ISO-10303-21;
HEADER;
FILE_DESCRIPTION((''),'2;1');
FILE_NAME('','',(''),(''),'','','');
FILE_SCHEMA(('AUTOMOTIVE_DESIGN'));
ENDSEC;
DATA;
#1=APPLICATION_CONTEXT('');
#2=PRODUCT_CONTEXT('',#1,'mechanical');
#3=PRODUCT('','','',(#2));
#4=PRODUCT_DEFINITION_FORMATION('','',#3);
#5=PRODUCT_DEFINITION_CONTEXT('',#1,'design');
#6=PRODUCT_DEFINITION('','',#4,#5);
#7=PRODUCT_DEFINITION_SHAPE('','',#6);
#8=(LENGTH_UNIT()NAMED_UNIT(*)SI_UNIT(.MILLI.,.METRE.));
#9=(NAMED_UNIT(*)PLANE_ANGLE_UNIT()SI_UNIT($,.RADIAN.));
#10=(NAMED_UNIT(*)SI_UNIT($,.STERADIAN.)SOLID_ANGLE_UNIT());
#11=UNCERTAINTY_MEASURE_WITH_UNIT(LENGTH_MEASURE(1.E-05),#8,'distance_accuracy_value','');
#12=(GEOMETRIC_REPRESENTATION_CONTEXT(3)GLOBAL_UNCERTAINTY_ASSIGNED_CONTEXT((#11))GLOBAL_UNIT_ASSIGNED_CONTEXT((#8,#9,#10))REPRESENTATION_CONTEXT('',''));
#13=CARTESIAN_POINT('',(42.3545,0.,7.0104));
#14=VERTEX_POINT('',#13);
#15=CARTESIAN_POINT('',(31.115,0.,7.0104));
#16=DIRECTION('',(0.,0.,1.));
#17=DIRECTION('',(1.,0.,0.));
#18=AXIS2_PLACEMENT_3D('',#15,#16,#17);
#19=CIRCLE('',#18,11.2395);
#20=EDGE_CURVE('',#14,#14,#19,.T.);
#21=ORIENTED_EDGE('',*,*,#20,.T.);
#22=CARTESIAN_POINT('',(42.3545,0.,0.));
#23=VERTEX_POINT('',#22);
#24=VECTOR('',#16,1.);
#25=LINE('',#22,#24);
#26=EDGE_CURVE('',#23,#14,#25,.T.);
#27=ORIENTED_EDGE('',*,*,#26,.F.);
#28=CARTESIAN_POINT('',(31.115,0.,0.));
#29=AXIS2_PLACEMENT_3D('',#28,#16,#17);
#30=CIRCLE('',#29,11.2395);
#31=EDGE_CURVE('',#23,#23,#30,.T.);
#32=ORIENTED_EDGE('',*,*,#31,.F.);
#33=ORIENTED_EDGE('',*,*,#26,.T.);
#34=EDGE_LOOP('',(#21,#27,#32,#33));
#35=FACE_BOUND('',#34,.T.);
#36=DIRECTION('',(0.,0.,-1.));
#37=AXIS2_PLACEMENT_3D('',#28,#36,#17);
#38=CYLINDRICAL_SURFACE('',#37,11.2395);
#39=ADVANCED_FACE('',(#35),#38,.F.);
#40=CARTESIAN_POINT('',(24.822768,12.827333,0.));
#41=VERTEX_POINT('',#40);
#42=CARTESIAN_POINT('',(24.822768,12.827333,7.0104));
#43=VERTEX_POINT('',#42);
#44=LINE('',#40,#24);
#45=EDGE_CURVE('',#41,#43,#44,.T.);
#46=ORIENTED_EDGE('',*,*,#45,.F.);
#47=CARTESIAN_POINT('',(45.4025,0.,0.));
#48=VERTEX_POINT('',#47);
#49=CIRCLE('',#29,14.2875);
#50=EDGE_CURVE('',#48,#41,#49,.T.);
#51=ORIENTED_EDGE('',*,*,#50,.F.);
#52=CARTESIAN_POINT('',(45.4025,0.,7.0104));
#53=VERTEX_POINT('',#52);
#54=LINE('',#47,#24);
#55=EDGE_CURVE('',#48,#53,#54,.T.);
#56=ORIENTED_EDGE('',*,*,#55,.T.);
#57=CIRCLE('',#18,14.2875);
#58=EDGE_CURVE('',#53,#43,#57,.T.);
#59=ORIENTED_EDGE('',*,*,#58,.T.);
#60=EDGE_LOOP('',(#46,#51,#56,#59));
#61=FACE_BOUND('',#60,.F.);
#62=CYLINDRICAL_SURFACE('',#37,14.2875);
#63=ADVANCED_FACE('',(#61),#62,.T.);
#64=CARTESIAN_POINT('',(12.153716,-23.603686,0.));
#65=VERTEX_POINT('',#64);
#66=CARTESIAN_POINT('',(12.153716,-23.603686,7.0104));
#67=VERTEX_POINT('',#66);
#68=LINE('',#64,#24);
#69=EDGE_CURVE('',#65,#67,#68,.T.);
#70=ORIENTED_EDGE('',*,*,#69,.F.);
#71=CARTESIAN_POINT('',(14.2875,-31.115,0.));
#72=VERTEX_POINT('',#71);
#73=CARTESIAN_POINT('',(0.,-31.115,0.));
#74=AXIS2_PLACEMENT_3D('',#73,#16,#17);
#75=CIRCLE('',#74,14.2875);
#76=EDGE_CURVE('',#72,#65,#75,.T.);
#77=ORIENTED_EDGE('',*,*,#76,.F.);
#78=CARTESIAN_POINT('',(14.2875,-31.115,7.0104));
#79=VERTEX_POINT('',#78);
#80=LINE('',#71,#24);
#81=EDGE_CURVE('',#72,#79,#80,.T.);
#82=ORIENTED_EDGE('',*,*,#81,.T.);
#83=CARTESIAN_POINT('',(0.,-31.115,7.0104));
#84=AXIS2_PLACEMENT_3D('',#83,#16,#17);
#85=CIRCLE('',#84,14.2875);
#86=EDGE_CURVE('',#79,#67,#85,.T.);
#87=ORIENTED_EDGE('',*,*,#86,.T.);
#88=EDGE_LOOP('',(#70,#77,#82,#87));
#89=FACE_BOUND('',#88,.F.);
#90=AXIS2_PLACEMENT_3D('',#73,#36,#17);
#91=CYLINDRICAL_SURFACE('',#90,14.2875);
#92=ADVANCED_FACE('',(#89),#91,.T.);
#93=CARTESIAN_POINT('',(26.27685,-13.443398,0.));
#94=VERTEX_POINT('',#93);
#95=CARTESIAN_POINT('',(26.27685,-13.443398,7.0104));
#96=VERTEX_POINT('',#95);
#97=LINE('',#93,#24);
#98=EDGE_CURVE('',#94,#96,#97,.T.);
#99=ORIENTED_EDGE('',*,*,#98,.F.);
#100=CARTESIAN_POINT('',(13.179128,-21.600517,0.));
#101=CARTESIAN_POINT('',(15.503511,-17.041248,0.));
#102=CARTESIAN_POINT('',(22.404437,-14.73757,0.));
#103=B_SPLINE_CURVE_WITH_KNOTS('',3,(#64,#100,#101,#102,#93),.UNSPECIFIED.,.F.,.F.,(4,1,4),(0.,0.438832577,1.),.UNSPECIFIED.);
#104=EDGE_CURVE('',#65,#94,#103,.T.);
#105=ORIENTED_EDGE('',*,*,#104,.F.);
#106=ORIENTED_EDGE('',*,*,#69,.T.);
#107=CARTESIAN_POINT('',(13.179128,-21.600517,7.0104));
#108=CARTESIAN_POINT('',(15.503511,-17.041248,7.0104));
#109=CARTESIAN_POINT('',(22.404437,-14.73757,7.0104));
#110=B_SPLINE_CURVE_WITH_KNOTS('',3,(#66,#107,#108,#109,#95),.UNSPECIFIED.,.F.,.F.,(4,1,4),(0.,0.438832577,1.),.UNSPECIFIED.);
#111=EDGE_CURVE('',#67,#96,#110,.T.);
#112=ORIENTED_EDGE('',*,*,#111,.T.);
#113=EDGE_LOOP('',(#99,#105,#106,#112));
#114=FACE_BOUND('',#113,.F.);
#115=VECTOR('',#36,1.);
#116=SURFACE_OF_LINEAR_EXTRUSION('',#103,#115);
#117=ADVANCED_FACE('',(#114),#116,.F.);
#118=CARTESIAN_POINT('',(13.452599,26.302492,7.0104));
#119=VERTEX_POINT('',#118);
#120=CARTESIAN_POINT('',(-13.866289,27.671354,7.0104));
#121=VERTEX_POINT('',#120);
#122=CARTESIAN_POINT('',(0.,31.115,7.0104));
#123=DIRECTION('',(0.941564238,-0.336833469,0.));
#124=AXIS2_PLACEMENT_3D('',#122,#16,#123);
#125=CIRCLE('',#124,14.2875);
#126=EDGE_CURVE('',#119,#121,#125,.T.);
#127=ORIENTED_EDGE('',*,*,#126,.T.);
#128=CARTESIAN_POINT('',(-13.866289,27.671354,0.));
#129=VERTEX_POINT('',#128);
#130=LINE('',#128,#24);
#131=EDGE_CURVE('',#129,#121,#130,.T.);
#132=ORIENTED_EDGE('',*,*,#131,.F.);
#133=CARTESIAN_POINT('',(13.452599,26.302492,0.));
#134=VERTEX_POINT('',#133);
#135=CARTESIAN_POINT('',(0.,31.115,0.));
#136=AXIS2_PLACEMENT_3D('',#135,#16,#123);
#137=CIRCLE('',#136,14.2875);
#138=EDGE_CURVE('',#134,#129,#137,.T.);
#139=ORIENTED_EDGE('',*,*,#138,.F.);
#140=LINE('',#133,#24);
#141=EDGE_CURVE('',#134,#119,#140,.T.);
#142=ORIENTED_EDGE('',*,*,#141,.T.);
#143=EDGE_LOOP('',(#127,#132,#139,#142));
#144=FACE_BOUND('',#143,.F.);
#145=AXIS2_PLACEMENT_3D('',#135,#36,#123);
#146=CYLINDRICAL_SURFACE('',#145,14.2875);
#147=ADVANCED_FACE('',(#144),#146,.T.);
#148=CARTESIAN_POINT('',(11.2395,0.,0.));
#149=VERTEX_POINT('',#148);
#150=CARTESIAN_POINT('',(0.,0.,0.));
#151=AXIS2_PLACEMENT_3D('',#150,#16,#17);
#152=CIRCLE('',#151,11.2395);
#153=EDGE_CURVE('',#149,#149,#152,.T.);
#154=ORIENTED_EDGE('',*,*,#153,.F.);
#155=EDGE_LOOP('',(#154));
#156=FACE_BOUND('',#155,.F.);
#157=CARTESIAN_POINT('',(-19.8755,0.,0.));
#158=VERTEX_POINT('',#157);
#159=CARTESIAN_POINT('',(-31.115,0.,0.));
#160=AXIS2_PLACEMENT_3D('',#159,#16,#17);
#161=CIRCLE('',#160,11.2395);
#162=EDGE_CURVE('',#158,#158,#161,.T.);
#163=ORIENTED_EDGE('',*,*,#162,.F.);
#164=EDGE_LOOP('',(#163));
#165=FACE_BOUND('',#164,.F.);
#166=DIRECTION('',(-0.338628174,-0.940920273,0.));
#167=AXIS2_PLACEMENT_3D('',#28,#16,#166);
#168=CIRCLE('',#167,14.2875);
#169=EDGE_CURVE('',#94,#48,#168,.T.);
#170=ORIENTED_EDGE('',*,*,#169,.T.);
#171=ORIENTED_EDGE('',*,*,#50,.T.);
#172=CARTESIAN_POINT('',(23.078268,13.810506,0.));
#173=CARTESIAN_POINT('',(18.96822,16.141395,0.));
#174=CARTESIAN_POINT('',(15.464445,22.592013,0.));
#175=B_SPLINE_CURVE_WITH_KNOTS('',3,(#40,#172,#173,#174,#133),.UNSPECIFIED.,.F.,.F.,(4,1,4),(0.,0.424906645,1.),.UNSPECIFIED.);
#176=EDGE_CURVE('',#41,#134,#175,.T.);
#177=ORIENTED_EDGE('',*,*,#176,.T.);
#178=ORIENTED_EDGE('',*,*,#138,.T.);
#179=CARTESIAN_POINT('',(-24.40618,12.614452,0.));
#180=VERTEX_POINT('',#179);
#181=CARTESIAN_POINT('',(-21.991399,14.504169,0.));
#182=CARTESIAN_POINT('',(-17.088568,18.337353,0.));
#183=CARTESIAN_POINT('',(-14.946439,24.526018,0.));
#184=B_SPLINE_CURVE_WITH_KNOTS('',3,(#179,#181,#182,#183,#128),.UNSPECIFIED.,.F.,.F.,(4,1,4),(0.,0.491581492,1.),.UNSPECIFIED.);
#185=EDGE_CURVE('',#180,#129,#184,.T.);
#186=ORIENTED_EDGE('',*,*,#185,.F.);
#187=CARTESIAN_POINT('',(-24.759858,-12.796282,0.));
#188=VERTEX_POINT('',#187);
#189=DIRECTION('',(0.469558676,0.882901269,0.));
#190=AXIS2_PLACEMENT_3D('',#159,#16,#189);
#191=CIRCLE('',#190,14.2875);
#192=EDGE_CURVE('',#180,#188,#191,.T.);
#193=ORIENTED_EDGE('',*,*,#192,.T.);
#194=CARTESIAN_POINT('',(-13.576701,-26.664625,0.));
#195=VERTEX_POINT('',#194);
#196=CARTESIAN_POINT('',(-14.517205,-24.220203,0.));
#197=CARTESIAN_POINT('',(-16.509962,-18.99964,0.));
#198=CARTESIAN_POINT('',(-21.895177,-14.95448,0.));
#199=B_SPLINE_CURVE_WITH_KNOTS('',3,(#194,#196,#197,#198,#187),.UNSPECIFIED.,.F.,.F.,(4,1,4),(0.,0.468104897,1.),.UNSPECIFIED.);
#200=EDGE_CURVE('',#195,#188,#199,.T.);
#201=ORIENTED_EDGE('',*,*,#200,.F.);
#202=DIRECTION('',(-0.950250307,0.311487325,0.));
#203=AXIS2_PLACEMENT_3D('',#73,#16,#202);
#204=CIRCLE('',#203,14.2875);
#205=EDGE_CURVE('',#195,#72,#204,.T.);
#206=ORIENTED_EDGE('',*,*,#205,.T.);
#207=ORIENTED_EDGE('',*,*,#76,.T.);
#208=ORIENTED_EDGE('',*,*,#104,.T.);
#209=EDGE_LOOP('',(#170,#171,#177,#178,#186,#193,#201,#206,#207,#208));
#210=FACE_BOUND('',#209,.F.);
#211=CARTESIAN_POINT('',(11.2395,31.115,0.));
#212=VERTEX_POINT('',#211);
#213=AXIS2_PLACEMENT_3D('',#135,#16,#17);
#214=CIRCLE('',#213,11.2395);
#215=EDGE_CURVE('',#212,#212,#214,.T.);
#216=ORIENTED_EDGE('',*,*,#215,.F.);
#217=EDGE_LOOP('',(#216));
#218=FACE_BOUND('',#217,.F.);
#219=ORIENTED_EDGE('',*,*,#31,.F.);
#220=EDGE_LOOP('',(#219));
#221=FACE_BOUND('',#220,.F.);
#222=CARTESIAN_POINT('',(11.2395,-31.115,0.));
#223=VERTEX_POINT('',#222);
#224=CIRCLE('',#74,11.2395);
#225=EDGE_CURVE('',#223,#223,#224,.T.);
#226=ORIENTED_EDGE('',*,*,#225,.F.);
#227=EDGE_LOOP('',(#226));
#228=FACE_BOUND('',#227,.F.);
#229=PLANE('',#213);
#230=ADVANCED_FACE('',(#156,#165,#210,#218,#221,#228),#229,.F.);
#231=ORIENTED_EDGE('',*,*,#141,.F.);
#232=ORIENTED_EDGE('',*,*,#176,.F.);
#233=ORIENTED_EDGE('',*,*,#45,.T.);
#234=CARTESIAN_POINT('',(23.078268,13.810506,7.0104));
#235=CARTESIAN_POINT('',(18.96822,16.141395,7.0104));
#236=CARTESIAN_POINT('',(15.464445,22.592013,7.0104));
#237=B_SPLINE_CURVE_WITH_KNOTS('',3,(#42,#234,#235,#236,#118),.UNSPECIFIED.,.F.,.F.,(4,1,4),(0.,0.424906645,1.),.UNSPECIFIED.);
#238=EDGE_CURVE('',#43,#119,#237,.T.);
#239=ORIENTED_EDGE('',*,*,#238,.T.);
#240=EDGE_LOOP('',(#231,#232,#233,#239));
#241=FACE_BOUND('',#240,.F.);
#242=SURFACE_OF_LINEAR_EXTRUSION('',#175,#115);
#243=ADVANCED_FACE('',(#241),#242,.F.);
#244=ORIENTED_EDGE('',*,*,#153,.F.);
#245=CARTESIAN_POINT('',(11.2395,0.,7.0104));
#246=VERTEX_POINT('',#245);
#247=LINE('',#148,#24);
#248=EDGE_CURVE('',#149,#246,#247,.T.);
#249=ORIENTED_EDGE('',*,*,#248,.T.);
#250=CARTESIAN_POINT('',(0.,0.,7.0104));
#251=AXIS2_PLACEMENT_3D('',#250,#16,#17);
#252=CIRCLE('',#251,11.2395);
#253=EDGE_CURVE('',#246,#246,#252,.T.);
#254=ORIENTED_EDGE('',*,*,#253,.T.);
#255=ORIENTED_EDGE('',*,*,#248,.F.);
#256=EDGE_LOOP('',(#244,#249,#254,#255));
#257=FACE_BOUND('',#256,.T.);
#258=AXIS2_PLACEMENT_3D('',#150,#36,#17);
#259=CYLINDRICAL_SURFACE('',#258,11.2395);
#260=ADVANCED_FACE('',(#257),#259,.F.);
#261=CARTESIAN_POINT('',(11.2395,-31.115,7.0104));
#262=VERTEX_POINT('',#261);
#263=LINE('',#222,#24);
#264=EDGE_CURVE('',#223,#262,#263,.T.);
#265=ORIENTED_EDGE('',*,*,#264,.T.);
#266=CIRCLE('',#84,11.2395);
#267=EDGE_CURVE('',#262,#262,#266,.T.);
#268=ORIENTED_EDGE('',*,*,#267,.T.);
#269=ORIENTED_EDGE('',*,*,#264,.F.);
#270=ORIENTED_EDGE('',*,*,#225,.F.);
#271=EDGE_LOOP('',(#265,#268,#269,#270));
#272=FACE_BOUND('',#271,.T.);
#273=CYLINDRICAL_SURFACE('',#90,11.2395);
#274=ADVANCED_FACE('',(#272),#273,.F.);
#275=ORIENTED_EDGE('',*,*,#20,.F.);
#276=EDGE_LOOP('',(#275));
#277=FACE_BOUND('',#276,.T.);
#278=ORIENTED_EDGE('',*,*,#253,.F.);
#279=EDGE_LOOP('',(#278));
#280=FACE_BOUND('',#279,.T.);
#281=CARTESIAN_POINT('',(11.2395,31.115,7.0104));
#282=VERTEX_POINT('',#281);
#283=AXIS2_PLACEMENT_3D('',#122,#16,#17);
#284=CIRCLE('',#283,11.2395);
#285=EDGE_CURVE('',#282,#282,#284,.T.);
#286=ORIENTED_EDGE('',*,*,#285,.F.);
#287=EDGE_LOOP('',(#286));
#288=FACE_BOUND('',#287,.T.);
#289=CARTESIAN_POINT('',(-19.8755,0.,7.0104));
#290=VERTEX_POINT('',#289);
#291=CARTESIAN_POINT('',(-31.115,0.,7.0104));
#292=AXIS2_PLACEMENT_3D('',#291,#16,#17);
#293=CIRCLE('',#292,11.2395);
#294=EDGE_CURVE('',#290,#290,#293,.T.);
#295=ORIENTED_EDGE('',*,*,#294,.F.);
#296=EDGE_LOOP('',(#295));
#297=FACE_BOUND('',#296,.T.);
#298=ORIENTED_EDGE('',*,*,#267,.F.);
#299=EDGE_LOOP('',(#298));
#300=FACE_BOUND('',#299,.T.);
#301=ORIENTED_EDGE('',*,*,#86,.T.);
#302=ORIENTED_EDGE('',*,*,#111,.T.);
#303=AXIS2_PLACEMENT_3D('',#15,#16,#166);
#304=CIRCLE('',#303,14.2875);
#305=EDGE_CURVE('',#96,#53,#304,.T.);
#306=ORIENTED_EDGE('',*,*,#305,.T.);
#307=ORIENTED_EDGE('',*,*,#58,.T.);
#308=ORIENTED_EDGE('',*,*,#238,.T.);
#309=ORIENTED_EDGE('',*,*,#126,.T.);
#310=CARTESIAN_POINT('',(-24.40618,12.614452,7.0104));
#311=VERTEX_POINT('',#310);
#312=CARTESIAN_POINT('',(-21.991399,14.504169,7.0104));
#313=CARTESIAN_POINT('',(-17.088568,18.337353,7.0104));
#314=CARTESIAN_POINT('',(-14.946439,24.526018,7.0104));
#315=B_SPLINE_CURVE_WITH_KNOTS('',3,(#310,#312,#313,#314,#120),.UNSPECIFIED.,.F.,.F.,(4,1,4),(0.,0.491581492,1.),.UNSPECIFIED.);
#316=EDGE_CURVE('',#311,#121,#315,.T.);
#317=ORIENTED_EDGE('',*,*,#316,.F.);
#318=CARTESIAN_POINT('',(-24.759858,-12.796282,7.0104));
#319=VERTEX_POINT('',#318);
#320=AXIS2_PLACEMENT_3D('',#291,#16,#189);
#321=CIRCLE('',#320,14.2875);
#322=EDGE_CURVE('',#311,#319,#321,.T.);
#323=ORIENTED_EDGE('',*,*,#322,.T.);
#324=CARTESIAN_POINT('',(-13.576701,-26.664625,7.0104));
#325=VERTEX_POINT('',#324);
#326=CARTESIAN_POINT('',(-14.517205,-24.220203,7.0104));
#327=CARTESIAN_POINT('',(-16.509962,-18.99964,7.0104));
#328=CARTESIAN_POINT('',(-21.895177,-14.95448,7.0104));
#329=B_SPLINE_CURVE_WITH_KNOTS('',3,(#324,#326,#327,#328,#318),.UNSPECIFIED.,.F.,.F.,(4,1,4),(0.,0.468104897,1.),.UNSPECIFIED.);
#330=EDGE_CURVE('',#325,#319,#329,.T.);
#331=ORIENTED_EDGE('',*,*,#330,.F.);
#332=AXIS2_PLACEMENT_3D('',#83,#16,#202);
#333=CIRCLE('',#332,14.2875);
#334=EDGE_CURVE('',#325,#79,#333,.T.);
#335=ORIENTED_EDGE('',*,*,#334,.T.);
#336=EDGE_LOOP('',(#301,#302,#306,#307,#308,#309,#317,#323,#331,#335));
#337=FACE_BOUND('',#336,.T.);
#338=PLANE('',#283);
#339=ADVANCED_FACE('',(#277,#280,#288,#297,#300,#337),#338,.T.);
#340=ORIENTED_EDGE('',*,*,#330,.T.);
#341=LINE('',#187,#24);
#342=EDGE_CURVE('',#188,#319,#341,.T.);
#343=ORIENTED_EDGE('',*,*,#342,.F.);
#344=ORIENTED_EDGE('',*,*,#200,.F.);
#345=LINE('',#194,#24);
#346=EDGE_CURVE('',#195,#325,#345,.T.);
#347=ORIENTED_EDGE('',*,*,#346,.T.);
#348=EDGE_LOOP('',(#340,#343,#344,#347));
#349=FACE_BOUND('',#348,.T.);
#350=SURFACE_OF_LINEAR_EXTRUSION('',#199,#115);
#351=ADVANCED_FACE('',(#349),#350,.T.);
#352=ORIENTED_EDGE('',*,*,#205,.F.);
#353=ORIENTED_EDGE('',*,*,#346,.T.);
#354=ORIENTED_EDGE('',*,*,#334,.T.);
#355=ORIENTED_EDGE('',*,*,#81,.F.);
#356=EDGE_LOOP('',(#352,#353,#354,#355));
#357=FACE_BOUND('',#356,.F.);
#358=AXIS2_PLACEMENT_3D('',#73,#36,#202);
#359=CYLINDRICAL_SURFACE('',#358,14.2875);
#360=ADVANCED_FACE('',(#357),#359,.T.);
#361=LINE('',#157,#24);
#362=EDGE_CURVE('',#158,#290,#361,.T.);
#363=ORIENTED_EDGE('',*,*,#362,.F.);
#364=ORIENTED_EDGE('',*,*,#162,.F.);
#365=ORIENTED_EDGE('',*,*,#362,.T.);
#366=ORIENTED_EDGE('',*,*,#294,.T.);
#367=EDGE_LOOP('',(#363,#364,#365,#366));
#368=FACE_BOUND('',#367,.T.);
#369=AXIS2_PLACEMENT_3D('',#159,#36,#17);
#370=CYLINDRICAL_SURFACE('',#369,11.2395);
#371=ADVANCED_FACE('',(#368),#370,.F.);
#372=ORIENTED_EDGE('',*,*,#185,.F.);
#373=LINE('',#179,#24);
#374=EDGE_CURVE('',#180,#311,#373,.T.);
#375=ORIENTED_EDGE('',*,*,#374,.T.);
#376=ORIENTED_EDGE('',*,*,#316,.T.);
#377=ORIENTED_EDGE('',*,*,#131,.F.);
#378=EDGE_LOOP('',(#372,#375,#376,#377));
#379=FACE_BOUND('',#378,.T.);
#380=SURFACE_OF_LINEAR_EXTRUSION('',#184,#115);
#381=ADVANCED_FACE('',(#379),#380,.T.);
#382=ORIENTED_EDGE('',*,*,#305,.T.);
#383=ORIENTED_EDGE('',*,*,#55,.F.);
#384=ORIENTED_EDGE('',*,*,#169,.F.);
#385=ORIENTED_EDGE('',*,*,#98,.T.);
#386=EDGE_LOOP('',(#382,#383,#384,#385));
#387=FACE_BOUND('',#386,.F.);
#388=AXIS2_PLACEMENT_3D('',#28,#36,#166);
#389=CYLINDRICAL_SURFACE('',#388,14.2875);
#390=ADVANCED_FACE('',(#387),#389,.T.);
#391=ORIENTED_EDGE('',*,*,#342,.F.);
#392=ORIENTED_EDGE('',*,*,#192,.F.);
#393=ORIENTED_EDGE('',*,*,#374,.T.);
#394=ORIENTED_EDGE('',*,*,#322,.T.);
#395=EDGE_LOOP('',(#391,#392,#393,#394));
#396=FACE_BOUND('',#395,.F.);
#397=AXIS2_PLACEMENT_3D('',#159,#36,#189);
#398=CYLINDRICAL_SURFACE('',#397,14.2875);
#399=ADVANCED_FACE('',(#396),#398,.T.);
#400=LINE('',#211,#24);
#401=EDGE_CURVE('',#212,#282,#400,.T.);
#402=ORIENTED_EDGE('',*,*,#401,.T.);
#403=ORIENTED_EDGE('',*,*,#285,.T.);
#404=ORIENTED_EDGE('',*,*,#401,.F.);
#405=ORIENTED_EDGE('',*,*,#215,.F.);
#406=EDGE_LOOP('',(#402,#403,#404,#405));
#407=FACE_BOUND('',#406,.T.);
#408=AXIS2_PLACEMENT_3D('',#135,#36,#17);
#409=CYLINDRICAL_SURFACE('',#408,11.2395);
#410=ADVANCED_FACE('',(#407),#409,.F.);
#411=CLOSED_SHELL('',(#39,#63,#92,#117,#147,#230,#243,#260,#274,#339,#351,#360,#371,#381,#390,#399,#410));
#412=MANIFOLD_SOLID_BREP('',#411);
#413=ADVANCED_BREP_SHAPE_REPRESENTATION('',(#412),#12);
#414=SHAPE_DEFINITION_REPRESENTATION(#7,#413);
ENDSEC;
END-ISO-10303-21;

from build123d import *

# Parameters (mm, degrees)
F0_R     = 11.2395
F0_R_2   = 14.2875
F1_DEPTH = 7.0104


with BuildPart() as f1:
    # F0 (on Top) → F1 (new body)
    with BuildSketch(Plane.XY):
        with BuildLine():
            ThreePointArc((13.4525990485, 26.3024918088), (14.0772274464, 28.6728035148), (14.2875, 31.115))
            ThreePointArc((14.2875, 31.115), (-1.7346553006, 45.2968062051), (-13.8662885898, 27.671354113))
            ThreePointArc((-13.8662885898, 27.671354113), (-0.7150040287, 16.8454020558), (13.4525990485, 26.3024918088))
        make_face()
        with Locations((0, 31.115)):
            Circle(F0_R, mode=Mode.SUBTRACT)
        with BuildLine():
            ThreePointArc((13.4525990485, 26.3024918088), (-0.7150040287, 16.8454020558), (-13.8662885898, 27.671354113))
            add(Edge.make_bspline(
                [(-24.4061804215, 12.6144518752), (-21.9913994973, 14.5041688782), (-17.0885675606, 18.3373527024), (-14.9464390158, 24.5260180625), (-13.8662885898, 27.671354113)],
                knots=[0, 0, 0, 0, 0.4915814919, 1, 1, 1, 1], degree=3))
            ThreePointArc((-24.4061804215, 12.6144518752), (-18.8678591913, 7.3580023281), (-16.8275, 0))
            ThreePointArc((-16.8275, 0), (-18.9714472574, -7.5277342565), (-24.7598580804, -12.7962817815))
            add(Edge.make_bspline(
                [(-13.5767012622, -26.6646248375), (-14.5172045092, -24.2202030887), (-16.5099618567, -18.9996397954), (-21.8951772511, -14.9544801118), (-24.7598580804, -12.7962817815)],
                knots=[0, 0, 0, 0, 0.4681048972, 1, 1, 1, 1], degree=3))
            ThreePointArc((-13.5767012622, -26.6646248375), (-1.6877674817, -16.9275373242), (12.153715971, -23.603685578))
            add(Edge.make_bspline(
                [(12.153715971, -23.603685578), (13.1791276293, -21.6005172118), (15.5035107886, -17.041248492), (22.4044373956, -14.7375703735), (26.2768499578, -13.4433983955)],
                knots=[0, 0, 0, 0, 0.4388325772, 1, 1, 1, 1], degree=3))
            ThreePointArc((26.2768499578, -13.4433983955), (16.8493354945, -0.7896027276), (24.8227682855, 12.8273331718))
            add(Edge.make_bspline(
                [(24.8227682855, 12.8273331718), (23.0782675117, 13.8105061997), (18.9682195214, 16.1413950671), (15.4644450361, 22.5920127072), (13.4525990485, 26.3024918088)],
                knots=[0, 0, 0, 0, 0.4249066448, 1, 1, 1, 1], degree=3))
        make_face()
        Circle(F0_R_2, mode=Mode.SUBTRACT)
        with BuildLine():
            ThreePointArc((-16.8275, 0), (-18.8678591913, 7.3580023281), (-24.4061804215, 12.6144518752))
            ThreePointArc((-24.4061804215, 12.6144518752), (-45.4011162934, 0.198840389), (-24.7598580804, -12.7962817815))
            ThreePointArc((-24.7598580804, -12.7962817815), (-18.9714472574, -7.5277342565), (-16.8275, 0))
        make_face()
        with Locations((-31.115, 0)):
            Circle(F0_R, mode=Mode.SUBTRACT)
        with BuildLine():
            ThreePointArc((45.4025, 0), (38.6725259056, 12.1250343684), (24.8227682855, 12.8273331718))
            ThreePointArc((24.8227682855, 12.8273331718), (16.8493354945, -0.7896027276), (26.2768499578, -13.4433983955))
            ThreePointArc((26.2768499578, -13.4433983955), (39.3310692403, -11.68883495), (45.4025, 0))
        make_face()
        with Locations((31.115, 0)):
            Circle(F0_R, mode=Mode.SUBTRACT)
        with BuildLine():
            ThreePointArc((12.153715971, -23.603685578), (-1.6877674817, -16.9275373242), (-13.5767012622, -26.6646248375))
            ThreePointArc((-13.5767012622, -26.6646248375), (-2.2533904418, -45.2236812908), (14.2875, -31.115))
            ThreePointArc((14.2875, -31.115), (13.7437053444, -27.2107433925), (12.153715971, -23.603685578))
        make_face()
        with Locations((0, -31.115)):
            Circle(F0_R, mode=Mode.SUBTRACT)
        Circle(F0_R_2)
        Circle(F0_R, mode=Mode.SUBTRACT)
    extrude(amount=F1_DEPTH)


solid = f1.part
